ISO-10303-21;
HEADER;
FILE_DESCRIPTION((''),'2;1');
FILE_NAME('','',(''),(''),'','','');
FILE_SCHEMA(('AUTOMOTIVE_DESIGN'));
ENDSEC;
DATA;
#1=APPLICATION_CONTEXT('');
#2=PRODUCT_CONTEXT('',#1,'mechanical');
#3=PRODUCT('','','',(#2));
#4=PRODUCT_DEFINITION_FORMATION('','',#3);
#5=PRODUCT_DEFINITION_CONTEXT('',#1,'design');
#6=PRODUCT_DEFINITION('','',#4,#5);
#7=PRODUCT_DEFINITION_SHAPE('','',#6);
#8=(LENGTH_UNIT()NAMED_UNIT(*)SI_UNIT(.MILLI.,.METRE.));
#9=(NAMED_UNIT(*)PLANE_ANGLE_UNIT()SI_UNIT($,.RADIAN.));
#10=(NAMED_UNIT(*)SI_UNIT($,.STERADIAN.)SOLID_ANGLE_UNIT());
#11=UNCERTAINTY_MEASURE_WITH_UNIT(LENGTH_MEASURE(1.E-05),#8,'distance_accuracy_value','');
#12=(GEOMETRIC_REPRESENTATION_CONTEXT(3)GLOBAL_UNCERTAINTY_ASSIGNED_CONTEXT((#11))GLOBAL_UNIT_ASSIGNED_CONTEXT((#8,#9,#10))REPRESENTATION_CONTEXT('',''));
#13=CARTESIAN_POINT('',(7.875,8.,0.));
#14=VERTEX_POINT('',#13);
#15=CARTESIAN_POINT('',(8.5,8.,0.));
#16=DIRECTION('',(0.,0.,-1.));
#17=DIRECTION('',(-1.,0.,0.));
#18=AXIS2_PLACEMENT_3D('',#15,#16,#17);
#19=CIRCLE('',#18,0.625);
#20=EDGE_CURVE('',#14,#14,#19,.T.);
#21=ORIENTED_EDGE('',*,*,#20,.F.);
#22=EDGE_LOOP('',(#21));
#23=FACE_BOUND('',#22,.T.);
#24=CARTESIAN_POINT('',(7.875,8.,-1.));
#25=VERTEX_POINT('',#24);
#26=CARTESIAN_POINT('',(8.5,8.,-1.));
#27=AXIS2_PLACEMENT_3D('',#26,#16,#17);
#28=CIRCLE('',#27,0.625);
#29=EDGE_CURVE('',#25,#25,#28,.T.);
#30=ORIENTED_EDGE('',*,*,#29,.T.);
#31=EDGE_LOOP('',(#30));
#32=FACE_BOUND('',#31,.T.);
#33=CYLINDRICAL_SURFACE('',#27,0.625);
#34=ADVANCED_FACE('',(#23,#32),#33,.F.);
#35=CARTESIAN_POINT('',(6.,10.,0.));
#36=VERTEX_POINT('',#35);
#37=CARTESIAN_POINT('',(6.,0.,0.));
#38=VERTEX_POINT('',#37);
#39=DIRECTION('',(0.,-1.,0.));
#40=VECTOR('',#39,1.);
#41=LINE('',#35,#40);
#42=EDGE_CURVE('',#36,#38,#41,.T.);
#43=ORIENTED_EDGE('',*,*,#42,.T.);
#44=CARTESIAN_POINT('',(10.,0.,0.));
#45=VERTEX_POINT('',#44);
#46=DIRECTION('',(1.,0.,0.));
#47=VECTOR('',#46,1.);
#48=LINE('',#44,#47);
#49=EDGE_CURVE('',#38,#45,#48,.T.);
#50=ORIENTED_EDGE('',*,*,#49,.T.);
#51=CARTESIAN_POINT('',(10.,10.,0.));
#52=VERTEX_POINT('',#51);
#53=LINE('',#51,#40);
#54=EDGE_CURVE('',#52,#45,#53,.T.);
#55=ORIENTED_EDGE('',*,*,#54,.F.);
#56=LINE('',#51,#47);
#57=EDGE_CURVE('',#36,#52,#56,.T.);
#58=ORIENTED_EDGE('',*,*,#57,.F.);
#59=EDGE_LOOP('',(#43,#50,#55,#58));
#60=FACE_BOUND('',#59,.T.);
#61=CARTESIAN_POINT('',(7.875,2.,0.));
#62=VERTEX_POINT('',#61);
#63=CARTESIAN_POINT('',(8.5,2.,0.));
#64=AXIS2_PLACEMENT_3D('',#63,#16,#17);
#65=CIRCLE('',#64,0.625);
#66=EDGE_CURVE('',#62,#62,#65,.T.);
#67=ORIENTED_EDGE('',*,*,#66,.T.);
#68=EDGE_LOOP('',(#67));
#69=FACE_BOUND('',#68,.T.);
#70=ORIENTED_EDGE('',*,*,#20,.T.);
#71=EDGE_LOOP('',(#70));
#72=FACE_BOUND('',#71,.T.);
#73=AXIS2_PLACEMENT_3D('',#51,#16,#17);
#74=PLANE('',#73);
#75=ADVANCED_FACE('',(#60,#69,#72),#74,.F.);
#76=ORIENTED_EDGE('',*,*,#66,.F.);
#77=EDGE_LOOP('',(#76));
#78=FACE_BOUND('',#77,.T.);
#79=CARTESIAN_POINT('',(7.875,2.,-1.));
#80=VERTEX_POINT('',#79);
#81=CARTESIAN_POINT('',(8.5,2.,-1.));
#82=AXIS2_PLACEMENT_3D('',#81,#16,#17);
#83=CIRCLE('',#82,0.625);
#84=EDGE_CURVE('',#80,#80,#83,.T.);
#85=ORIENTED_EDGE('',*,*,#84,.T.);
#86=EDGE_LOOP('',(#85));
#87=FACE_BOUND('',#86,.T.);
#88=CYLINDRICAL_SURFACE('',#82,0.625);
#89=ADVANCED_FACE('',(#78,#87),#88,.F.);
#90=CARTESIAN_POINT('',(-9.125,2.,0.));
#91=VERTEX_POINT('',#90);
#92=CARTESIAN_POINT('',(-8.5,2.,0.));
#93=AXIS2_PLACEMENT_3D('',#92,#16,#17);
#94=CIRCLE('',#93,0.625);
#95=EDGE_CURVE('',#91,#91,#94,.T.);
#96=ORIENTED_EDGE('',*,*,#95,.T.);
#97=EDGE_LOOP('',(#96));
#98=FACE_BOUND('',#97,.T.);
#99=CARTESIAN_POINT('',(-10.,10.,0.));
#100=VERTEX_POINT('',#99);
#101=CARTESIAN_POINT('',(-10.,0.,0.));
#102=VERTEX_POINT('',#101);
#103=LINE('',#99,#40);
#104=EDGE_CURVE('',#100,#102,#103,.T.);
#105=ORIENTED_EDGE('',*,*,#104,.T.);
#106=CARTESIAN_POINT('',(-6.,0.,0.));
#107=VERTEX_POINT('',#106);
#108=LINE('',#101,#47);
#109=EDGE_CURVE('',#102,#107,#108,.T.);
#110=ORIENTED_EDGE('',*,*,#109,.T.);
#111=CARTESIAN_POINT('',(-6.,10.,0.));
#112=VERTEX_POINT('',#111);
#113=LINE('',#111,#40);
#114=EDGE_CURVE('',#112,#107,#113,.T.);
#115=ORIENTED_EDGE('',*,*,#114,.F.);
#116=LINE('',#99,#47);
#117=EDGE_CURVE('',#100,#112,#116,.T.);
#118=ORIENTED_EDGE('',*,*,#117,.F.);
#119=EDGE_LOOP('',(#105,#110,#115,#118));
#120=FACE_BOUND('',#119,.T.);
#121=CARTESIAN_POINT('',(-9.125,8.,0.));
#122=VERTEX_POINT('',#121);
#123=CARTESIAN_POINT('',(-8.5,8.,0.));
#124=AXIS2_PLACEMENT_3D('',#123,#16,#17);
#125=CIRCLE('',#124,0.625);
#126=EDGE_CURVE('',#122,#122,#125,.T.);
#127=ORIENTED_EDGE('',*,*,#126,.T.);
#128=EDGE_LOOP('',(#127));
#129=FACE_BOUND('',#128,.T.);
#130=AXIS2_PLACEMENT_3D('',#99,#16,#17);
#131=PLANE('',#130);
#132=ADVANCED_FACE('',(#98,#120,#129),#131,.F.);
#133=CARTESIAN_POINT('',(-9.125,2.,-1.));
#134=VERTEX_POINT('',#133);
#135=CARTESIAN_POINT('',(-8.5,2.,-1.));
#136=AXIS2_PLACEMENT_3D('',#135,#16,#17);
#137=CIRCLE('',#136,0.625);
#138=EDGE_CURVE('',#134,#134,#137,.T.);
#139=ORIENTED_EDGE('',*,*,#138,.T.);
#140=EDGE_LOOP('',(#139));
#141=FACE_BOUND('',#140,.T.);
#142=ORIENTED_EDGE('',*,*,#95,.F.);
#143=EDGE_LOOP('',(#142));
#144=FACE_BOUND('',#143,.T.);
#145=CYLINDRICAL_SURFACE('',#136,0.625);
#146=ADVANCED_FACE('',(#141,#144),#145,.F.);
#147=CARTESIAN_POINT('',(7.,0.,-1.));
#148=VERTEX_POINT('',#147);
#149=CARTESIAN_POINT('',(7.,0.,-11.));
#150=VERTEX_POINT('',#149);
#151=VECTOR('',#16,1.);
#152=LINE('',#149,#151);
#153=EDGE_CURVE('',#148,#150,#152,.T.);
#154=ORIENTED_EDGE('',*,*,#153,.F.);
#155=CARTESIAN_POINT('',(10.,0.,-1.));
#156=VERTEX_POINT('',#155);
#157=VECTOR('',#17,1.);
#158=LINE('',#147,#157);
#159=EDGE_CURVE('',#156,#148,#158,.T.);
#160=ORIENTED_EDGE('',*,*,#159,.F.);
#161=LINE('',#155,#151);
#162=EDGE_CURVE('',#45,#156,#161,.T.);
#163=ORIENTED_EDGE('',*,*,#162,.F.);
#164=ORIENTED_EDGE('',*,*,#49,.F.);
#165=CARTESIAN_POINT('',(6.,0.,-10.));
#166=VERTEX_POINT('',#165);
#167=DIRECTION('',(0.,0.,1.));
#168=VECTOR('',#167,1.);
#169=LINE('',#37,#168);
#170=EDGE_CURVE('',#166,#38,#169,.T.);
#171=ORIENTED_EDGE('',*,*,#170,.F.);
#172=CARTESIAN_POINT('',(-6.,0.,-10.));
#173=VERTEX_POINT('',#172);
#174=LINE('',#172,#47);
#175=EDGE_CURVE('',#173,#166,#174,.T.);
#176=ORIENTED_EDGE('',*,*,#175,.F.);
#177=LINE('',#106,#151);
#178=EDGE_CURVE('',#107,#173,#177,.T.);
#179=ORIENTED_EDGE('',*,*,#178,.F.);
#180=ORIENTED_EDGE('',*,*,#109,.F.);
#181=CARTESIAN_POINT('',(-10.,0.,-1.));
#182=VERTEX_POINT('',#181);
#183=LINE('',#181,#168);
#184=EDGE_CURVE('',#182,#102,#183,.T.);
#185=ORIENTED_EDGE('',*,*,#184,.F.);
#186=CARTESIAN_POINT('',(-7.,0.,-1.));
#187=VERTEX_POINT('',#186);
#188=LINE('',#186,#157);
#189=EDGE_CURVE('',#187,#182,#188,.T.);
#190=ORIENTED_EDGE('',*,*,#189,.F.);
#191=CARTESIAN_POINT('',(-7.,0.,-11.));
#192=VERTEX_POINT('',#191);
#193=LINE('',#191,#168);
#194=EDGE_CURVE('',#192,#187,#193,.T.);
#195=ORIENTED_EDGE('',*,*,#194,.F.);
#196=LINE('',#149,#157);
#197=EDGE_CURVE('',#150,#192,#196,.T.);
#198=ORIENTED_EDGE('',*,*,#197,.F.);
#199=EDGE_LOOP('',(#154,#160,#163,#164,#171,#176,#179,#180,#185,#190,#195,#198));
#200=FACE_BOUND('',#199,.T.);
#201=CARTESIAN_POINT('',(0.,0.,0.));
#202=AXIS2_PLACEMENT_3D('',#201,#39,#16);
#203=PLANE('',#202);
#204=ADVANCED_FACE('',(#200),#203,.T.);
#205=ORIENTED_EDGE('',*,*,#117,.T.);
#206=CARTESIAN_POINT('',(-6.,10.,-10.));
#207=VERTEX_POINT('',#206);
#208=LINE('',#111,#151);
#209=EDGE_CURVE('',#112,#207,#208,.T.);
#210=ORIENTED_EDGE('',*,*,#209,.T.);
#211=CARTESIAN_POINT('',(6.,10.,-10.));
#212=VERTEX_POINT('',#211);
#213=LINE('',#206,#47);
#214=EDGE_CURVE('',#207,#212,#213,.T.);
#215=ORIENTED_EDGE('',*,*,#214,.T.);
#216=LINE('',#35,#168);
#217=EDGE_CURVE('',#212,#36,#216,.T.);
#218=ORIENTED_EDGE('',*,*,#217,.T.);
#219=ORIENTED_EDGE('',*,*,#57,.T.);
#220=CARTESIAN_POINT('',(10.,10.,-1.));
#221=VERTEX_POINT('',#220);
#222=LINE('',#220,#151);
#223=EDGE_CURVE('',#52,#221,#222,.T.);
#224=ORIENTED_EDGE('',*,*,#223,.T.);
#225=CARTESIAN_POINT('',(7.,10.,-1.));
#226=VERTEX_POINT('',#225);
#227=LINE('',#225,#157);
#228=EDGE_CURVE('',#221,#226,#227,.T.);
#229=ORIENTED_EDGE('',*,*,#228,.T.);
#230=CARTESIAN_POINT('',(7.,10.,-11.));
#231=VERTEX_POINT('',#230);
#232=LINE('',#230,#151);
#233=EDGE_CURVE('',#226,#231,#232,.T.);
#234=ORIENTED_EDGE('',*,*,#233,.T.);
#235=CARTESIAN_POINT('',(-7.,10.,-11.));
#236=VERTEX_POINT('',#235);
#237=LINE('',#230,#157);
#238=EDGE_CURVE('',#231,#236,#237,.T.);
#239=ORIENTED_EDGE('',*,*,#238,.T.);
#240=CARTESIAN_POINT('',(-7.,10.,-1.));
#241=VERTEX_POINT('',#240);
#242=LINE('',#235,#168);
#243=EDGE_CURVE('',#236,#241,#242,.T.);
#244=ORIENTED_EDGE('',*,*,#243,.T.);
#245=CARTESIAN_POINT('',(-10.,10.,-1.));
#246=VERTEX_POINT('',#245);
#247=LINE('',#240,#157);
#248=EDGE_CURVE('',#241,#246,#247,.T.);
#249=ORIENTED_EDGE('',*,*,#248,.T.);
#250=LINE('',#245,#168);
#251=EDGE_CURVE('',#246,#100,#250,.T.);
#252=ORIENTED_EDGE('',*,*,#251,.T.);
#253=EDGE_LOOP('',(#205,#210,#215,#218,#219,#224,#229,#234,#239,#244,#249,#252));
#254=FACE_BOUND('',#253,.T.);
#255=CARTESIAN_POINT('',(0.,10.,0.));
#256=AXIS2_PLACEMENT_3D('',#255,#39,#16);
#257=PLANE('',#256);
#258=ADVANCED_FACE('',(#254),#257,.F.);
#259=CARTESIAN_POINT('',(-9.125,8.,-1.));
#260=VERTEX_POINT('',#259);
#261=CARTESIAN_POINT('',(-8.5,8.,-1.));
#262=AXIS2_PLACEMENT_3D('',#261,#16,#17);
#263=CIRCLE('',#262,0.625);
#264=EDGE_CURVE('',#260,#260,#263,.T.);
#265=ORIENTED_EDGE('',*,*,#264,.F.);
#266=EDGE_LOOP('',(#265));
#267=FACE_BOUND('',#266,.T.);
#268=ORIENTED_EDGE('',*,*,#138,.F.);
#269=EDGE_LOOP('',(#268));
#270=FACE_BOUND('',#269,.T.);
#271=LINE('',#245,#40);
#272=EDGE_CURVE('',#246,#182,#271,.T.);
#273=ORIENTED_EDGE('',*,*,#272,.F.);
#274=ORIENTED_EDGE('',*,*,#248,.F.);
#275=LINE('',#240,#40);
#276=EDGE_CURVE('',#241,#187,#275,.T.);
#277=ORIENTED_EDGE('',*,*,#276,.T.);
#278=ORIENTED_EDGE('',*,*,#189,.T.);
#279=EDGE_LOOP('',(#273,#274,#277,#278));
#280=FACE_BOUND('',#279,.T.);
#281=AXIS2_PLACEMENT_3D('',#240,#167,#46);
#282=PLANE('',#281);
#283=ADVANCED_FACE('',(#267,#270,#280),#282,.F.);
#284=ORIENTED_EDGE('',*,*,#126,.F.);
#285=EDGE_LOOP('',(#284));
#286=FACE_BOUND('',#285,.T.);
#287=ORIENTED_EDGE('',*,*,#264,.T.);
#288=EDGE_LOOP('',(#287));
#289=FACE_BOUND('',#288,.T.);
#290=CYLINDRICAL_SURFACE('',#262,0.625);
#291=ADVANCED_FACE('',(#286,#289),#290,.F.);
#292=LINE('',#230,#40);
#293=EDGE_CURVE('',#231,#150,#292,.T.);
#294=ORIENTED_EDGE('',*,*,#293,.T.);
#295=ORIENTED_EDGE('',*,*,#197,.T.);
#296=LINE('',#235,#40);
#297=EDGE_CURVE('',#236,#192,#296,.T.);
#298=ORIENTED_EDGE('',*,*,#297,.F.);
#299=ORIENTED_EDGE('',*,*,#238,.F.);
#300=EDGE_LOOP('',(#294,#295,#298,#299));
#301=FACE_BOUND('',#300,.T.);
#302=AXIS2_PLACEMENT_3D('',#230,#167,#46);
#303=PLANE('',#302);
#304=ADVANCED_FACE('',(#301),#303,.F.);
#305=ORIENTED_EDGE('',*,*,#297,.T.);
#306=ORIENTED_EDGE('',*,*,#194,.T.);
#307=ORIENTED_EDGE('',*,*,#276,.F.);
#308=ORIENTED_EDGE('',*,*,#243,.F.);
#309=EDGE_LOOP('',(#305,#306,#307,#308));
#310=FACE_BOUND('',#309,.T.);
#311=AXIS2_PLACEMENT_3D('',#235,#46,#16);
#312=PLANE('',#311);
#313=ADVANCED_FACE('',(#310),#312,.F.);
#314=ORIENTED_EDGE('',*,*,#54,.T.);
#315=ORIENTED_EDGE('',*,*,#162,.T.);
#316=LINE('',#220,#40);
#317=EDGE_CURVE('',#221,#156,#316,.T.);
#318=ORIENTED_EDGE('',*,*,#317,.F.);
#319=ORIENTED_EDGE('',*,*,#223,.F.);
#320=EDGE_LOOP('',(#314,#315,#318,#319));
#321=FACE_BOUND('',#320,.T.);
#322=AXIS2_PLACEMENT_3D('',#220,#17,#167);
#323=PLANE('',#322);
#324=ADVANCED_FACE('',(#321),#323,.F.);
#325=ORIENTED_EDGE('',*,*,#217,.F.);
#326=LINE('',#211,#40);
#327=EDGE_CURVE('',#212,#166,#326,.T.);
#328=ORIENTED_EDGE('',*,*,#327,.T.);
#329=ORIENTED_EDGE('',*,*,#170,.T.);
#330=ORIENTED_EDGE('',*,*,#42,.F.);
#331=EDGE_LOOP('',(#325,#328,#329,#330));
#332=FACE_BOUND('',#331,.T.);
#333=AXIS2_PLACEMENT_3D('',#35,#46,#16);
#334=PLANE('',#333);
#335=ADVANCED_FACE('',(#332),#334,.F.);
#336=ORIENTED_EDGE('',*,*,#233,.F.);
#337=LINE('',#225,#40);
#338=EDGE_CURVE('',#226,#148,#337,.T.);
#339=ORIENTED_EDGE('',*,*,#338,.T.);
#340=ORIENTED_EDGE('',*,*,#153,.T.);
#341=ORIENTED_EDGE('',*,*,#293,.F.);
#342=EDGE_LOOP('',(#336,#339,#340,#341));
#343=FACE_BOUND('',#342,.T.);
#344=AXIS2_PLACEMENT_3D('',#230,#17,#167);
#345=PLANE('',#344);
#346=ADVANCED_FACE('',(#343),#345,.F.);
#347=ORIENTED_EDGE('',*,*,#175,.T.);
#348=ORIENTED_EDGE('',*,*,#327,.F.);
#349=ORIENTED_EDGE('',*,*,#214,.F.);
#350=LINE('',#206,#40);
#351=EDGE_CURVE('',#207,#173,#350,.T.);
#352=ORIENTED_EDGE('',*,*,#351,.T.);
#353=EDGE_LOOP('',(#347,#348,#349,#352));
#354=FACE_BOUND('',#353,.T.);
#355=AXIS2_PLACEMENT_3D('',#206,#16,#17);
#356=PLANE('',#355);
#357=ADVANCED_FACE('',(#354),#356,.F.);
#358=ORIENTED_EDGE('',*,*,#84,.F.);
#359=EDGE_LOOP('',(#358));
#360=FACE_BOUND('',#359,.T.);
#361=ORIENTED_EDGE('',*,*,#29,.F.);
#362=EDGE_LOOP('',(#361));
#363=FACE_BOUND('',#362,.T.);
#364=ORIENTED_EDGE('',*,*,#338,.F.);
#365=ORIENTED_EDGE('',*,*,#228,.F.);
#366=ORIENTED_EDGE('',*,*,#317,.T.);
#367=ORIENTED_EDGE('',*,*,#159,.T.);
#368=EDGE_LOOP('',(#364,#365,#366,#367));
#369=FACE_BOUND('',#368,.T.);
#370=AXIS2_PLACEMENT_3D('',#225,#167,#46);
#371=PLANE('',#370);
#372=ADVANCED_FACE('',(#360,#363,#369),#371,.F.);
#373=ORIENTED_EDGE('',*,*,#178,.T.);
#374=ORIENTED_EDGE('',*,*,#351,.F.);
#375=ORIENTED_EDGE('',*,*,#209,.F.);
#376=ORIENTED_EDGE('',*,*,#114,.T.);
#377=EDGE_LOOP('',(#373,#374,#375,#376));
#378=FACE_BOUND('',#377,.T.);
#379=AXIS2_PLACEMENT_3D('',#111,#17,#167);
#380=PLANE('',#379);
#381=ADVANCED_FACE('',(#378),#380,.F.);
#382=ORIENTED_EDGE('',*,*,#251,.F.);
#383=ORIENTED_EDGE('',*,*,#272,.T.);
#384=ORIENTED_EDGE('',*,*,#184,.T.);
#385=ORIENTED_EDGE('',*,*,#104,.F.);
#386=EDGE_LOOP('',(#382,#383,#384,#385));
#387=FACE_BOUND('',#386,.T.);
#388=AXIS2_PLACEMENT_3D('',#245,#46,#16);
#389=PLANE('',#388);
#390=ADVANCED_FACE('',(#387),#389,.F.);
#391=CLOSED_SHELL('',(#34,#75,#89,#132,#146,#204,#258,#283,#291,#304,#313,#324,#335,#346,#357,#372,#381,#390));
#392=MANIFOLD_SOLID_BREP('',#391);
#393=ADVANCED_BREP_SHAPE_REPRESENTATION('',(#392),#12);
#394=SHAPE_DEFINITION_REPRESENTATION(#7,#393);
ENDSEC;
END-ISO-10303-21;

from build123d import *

# Parameters (mm, degrees)
EXTRUDE_1_DEPTH          = 10
HOLE_WIZARD_M1_6_1_D     = 1.25
HOLE_WIZARD_M1_6_1_DEPTH = 4.95
HOLE_WIZARD_M1_6_1_TIP   = 0.375537887


with BuildPart() as part:
    # 草图2 → 凸台-拉伸1 (new body)
    with BuildSketch(Plane(origin=(0, 0, 0), x_dir=(1, 0, 0), z_dir=(0, 1, 0))):
        Polygon((7, 11), (-7, 11), (-7, 1), (-10, 1), (-10, 0), (-6, 0), (-6, 10), (6, 10), (6, 0), (10, 0), (10, 1), (7, 1), align=None)
    extrude(amount=EXTRUDE_1_DEPTH)

    # M1.6 螺纹孔1
    with Locations(Plane(origin=(0, 0, -1), x_dir=(-1, 0, 0), z_dir=(0, 0, -1))):
        with Locations((-8.5, 8), (8.5, 8), (8.5, 2), (-8.5, 2)):
            Hole(HOLE_WIZARD_M1_6_1_D / 2, depth=HOLE_WIZARD_M1_6_1_DEPTH)
            with Locations((0, 0, -(HOLE_WIZARD_M1_6_1_DEPTH + HOLE_WIZARD_M1_6_1_TIP / 2))):  # 118° drill point
                Cone(0, HOLE_WIZARD_M1_6_1_D / 2, HOLE_WIZARD_M1_6_1_TIP, mode=Mode.SUBTRACT)


solid = part.part
